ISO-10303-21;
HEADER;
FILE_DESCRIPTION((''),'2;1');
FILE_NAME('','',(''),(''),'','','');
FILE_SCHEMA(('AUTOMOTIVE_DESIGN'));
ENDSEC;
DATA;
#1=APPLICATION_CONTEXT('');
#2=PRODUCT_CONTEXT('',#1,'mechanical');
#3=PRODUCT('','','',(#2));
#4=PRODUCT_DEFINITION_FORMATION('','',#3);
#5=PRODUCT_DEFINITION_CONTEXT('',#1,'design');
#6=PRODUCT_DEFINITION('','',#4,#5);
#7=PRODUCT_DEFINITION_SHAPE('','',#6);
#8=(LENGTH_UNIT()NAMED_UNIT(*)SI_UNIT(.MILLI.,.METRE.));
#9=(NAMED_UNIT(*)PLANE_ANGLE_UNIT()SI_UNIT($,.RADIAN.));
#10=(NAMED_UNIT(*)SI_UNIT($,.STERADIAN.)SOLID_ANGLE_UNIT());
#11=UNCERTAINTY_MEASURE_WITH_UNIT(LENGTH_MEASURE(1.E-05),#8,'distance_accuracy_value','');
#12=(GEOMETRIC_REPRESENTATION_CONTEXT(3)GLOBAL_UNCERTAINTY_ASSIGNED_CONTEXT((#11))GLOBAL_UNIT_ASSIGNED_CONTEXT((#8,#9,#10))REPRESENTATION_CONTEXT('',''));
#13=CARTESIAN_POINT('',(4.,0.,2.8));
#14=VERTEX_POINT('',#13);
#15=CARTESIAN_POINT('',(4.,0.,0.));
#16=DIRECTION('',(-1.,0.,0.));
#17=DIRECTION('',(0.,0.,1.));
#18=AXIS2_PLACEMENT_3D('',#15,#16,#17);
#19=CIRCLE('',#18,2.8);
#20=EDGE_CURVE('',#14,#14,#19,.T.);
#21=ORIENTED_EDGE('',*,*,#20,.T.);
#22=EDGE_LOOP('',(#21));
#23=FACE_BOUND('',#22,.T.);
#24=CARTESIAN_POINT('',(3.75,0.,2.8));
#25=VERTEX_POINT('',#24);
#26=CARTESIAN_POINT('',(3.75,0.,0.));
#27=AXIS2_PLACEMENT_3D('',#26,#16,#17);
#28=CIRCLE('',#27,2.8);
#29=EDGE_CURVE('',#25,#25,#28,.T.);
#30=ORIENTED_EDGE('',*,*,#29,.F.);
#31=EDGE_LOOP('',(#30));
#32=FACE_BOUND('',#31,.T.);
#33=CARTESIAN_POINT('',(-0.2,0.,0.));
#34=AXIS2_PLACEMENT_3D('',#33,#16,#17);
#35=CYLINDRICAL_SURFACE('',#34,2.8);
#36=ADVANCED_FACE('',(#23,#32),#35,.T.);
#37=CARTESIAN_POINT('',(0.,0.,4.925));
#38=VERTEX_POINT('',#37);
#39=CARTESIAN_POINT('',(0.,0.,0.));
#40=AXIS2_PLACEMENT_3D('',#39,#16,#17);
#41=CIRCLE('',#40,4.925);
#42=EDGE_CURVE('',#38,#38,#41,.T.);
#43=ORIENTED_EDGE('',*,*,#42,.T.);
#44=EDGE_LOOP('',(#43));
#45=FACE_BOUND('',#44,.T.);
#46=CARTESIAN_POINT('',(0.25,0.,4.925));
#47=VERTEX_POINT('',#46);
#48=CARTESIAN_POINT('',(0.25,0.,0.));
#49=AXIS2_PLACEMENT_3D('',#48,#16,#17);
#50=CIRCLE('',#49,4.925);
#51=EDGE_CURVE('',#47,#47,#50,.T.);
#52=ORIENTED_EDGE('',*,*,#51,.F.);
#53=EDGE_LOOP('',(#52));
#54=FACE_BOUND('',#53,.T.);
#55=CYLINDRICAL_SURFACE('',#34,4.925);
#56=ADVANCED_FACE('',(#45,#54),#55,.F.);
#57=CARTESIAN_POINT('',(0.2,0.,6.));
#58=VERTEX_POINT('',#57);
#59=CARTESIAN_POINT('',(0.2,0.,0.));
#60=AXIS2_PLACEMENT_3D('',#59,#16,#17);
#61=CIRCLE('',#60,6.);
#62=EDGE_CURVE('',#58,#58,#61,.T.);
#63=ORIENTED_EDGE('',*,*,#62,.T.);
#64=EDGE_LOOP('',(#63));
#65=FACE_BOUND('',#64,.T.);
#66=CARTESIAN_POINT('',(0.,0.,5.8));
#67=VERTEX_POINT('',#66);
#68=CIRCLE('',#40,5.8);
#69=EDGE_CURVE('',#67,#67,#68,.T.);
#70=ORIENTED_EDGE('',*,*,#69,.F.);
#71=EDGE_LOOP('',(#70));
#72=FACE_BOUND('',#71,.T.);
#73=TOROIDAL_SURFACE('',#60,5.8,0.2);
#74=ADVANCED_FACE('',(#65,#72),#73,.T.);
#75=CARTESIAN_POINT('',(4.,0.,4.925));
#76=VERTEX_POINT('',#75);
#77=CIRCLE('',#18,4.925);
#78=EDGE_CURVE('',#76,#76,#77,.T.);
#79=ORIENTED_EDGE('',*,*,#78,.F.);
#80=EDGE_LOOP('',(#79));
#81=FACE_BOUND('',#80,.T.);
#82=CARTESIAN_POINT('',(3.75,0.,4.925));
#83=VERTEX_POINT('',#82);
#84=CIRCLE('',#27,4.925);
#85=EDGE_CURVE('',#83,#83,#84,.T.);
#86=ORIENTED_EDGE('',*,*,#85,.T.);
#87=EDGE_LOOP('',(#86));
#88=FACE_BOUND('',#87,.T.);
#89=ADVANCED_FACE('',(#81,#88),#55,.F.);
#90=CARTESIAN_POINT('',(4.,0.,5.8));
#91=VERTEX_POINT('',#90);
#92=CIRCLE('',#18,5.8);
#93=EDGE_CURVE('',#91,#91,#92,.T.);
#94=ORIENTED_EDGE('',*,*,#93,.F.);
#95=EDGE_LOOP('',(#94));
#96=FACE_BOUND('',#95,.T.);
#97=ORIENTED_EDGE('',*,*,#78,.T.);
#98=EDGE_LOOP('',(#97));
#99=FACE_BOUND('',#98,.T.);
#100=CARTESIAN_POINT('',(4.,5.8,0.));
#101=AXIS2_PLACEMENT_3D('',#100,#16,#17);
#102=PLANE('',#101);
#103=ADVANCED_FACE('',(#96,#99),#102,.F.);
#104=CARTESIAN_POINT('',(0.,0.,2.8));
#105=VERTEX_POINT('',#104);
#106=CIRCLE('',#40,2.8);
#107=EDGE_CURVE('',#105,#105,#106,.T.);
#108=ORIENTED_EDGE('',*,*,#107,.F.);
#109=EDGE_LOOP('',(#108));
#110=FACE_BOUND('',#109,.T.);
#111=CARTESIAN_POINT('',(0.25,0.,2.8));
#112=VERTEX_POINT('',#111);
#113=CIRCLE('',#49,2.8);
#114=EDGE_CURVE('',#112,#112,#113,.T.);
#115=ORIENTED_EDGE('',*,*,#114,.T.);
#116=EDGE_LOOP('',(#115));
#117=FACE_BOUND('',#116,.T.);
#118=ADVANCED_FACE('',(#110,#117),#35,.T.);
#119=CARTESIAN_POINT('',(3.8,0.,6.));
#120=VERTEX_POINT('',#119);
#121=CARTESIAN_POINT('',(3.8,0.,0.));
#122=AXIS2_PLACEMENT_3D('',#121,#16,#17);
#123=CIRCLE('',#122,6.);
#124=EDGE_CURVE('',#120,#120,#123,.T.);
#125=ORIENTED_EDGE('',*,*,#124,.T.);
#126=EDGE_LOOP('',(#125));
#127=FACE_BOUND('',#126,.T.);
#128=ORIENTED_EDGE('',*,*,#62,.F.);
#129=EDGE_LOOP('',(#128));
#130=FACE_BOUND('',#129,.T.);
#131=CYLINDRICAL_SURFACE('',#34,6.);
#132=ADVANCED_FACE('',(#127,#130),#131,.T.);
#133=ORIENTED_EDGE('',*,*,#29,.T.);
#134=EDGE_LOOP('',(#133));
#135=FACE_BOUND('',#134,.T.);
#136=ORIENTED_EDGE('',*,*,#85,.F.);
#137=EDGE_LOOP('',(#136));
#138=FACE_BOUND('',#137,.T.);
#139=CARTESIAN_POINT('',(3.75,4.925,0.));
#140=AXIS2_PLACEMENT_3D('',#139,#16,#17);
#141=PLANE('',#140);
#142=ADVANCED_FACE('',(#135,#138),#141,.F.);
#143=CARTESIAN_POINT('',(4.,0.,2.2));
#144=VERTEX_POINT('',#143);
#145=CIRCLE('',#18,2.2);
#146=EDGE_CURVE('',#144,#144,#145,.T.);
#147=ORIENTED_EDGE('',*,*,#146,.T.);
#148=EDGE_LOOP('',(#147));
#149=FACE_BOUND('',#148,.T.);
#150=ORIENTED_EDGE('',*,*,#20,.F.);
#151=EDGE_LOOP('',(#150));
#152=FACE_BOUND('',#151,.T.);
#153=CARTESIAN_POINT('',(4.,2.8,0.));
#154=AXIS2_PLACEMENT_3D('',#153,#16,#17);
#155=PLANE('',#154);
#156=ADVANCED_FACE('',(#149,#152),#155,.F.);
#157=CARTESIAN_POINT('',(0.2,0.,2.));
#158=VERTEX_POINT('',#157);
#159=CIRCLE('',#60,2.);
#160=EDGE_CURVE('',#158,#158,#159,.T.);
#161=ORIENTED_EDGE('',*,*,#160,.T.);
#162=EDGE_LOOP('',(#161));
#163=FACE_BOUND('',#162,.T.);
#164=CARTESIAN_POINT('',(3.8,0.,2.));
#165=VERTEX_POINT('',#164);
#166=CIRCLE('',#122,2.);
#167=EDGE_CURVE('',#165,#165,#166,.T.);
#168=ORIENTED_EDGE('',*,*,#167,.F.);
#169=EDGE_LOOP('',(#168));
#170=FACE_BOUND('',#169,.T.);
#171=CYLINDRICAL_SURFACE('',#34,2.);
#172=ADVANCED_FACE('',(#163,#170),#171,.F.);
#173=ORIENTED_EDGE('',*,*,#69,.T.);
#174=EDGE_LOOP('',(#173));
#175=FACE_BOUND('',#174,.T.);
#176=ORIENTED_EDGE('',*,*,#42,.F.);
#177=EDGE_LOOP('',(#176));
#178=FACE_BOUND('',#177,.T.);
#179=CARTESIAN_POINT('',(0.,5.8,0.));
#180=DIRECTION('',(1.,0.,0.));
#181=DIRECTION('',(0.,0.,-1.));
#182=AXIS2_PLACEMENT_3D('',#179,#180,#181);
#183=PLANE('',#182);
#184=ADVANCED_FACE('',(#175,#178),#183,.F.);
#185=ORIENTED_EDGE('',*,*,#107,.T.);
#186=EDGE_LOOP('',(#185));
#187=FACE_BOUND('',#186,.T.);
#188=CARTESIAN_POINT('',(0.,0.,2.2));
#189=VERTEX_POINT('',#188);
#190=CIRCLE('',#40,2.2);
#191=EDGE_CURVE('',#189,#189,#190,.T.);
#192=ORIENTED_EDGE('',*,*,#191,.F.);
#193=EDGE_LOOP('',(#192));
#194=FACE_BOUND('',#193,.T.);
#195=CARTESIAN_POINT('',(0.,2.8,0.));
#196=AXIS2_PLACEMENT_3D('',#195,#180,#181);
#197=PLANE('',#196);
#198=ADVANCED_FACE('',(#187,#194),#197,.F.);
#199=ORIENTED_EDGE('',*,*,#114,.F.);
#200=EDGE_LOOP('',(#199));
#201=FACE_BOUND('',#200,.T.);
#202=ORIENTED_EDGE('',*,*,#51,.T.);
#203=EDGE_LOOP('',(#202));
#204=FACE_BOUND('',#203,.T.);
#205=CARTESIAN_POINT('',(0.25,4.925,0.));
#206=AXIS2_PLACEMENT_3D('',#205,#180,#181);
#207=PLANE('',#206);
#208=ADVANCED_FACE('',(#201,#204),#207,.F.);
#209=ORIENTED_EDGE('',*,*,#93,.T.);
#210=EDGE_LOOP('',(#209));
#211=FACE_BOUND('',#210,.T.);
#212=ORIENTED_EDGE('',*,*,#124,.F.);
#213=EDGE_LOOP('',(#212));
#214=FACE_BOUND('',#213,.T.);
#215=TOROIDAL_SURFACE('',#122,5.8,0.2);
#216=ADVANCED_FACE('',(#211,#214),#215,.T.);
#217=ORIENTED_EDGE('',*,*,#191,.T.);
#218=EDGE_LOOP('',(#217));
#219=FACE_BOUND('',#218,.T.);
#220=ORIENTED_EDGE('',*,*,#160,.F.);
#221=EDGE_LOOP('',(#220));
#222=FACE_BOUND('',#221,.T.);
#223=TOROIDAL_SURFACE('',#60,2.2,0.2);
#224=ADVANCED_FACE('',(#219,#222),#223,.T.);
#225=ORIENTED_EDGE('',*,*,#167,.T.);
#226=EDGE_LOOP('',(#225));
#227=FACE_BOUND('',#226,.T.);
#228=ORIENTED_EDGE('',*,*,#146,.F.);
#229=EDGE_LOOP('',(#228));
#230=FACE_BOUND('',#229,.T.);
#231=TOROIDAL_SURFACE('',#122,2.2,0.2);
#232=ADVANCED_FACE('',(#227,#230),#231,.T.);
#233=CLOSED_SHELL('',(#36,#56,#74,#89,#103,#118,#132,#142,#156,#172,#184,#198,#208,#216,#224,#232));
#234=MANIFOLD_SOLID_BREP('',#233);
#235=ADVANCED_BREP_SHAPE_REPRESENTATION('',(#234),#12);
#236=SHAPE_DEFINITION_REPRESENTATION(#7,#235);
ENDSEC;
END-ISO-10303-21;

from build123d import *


with BuildPart() as part:
    # Sketch1 → Revolve1 (revolve)
    with BuildSketch(Plane.XY):
        with BuildLine():
            Line((0, 4.925), (0.25, 4.925))
            Line((0.25, 4.925), (0.25, 2.8))
            Line((0.25, 2.8), (0, 2.8))
            Line((0, 2.8), (0, 2.2))
            ThreePointArc((0, 2.2), (0.058578644, 2.058578644), (0.2, 2))
            Line((0.2, 2), (3.8, 2))
            ThreePointArc((3.8, 2), (3.941421356, 2.058578644), (4, 2.2))
            Line((4, 2.2), (4, 2.8))
            Line((4, 2.8), (3.75, 2.8))
            Line((3.75, 2.8), (3.75, 4.925))
            Line((3.75, 4.925), (4, 4.925))
            Line((4, 4.925), (4, 5.8))
            ThreePointArc((4, 5.8), (3.941421356, 5.941421356), (3.8, 6))
            Line((3.8, 6), (0.2, 6))
            ThreePointArc((0.2, 6), (0.058578644, 5.941421356), (0, 5.8))
            Line((0, 5.8), (0, 4.925))
        make_face()
    revolve(axis=Axis((-0.2, 0, 0), (1, 0, 0)))


solid = part.part
